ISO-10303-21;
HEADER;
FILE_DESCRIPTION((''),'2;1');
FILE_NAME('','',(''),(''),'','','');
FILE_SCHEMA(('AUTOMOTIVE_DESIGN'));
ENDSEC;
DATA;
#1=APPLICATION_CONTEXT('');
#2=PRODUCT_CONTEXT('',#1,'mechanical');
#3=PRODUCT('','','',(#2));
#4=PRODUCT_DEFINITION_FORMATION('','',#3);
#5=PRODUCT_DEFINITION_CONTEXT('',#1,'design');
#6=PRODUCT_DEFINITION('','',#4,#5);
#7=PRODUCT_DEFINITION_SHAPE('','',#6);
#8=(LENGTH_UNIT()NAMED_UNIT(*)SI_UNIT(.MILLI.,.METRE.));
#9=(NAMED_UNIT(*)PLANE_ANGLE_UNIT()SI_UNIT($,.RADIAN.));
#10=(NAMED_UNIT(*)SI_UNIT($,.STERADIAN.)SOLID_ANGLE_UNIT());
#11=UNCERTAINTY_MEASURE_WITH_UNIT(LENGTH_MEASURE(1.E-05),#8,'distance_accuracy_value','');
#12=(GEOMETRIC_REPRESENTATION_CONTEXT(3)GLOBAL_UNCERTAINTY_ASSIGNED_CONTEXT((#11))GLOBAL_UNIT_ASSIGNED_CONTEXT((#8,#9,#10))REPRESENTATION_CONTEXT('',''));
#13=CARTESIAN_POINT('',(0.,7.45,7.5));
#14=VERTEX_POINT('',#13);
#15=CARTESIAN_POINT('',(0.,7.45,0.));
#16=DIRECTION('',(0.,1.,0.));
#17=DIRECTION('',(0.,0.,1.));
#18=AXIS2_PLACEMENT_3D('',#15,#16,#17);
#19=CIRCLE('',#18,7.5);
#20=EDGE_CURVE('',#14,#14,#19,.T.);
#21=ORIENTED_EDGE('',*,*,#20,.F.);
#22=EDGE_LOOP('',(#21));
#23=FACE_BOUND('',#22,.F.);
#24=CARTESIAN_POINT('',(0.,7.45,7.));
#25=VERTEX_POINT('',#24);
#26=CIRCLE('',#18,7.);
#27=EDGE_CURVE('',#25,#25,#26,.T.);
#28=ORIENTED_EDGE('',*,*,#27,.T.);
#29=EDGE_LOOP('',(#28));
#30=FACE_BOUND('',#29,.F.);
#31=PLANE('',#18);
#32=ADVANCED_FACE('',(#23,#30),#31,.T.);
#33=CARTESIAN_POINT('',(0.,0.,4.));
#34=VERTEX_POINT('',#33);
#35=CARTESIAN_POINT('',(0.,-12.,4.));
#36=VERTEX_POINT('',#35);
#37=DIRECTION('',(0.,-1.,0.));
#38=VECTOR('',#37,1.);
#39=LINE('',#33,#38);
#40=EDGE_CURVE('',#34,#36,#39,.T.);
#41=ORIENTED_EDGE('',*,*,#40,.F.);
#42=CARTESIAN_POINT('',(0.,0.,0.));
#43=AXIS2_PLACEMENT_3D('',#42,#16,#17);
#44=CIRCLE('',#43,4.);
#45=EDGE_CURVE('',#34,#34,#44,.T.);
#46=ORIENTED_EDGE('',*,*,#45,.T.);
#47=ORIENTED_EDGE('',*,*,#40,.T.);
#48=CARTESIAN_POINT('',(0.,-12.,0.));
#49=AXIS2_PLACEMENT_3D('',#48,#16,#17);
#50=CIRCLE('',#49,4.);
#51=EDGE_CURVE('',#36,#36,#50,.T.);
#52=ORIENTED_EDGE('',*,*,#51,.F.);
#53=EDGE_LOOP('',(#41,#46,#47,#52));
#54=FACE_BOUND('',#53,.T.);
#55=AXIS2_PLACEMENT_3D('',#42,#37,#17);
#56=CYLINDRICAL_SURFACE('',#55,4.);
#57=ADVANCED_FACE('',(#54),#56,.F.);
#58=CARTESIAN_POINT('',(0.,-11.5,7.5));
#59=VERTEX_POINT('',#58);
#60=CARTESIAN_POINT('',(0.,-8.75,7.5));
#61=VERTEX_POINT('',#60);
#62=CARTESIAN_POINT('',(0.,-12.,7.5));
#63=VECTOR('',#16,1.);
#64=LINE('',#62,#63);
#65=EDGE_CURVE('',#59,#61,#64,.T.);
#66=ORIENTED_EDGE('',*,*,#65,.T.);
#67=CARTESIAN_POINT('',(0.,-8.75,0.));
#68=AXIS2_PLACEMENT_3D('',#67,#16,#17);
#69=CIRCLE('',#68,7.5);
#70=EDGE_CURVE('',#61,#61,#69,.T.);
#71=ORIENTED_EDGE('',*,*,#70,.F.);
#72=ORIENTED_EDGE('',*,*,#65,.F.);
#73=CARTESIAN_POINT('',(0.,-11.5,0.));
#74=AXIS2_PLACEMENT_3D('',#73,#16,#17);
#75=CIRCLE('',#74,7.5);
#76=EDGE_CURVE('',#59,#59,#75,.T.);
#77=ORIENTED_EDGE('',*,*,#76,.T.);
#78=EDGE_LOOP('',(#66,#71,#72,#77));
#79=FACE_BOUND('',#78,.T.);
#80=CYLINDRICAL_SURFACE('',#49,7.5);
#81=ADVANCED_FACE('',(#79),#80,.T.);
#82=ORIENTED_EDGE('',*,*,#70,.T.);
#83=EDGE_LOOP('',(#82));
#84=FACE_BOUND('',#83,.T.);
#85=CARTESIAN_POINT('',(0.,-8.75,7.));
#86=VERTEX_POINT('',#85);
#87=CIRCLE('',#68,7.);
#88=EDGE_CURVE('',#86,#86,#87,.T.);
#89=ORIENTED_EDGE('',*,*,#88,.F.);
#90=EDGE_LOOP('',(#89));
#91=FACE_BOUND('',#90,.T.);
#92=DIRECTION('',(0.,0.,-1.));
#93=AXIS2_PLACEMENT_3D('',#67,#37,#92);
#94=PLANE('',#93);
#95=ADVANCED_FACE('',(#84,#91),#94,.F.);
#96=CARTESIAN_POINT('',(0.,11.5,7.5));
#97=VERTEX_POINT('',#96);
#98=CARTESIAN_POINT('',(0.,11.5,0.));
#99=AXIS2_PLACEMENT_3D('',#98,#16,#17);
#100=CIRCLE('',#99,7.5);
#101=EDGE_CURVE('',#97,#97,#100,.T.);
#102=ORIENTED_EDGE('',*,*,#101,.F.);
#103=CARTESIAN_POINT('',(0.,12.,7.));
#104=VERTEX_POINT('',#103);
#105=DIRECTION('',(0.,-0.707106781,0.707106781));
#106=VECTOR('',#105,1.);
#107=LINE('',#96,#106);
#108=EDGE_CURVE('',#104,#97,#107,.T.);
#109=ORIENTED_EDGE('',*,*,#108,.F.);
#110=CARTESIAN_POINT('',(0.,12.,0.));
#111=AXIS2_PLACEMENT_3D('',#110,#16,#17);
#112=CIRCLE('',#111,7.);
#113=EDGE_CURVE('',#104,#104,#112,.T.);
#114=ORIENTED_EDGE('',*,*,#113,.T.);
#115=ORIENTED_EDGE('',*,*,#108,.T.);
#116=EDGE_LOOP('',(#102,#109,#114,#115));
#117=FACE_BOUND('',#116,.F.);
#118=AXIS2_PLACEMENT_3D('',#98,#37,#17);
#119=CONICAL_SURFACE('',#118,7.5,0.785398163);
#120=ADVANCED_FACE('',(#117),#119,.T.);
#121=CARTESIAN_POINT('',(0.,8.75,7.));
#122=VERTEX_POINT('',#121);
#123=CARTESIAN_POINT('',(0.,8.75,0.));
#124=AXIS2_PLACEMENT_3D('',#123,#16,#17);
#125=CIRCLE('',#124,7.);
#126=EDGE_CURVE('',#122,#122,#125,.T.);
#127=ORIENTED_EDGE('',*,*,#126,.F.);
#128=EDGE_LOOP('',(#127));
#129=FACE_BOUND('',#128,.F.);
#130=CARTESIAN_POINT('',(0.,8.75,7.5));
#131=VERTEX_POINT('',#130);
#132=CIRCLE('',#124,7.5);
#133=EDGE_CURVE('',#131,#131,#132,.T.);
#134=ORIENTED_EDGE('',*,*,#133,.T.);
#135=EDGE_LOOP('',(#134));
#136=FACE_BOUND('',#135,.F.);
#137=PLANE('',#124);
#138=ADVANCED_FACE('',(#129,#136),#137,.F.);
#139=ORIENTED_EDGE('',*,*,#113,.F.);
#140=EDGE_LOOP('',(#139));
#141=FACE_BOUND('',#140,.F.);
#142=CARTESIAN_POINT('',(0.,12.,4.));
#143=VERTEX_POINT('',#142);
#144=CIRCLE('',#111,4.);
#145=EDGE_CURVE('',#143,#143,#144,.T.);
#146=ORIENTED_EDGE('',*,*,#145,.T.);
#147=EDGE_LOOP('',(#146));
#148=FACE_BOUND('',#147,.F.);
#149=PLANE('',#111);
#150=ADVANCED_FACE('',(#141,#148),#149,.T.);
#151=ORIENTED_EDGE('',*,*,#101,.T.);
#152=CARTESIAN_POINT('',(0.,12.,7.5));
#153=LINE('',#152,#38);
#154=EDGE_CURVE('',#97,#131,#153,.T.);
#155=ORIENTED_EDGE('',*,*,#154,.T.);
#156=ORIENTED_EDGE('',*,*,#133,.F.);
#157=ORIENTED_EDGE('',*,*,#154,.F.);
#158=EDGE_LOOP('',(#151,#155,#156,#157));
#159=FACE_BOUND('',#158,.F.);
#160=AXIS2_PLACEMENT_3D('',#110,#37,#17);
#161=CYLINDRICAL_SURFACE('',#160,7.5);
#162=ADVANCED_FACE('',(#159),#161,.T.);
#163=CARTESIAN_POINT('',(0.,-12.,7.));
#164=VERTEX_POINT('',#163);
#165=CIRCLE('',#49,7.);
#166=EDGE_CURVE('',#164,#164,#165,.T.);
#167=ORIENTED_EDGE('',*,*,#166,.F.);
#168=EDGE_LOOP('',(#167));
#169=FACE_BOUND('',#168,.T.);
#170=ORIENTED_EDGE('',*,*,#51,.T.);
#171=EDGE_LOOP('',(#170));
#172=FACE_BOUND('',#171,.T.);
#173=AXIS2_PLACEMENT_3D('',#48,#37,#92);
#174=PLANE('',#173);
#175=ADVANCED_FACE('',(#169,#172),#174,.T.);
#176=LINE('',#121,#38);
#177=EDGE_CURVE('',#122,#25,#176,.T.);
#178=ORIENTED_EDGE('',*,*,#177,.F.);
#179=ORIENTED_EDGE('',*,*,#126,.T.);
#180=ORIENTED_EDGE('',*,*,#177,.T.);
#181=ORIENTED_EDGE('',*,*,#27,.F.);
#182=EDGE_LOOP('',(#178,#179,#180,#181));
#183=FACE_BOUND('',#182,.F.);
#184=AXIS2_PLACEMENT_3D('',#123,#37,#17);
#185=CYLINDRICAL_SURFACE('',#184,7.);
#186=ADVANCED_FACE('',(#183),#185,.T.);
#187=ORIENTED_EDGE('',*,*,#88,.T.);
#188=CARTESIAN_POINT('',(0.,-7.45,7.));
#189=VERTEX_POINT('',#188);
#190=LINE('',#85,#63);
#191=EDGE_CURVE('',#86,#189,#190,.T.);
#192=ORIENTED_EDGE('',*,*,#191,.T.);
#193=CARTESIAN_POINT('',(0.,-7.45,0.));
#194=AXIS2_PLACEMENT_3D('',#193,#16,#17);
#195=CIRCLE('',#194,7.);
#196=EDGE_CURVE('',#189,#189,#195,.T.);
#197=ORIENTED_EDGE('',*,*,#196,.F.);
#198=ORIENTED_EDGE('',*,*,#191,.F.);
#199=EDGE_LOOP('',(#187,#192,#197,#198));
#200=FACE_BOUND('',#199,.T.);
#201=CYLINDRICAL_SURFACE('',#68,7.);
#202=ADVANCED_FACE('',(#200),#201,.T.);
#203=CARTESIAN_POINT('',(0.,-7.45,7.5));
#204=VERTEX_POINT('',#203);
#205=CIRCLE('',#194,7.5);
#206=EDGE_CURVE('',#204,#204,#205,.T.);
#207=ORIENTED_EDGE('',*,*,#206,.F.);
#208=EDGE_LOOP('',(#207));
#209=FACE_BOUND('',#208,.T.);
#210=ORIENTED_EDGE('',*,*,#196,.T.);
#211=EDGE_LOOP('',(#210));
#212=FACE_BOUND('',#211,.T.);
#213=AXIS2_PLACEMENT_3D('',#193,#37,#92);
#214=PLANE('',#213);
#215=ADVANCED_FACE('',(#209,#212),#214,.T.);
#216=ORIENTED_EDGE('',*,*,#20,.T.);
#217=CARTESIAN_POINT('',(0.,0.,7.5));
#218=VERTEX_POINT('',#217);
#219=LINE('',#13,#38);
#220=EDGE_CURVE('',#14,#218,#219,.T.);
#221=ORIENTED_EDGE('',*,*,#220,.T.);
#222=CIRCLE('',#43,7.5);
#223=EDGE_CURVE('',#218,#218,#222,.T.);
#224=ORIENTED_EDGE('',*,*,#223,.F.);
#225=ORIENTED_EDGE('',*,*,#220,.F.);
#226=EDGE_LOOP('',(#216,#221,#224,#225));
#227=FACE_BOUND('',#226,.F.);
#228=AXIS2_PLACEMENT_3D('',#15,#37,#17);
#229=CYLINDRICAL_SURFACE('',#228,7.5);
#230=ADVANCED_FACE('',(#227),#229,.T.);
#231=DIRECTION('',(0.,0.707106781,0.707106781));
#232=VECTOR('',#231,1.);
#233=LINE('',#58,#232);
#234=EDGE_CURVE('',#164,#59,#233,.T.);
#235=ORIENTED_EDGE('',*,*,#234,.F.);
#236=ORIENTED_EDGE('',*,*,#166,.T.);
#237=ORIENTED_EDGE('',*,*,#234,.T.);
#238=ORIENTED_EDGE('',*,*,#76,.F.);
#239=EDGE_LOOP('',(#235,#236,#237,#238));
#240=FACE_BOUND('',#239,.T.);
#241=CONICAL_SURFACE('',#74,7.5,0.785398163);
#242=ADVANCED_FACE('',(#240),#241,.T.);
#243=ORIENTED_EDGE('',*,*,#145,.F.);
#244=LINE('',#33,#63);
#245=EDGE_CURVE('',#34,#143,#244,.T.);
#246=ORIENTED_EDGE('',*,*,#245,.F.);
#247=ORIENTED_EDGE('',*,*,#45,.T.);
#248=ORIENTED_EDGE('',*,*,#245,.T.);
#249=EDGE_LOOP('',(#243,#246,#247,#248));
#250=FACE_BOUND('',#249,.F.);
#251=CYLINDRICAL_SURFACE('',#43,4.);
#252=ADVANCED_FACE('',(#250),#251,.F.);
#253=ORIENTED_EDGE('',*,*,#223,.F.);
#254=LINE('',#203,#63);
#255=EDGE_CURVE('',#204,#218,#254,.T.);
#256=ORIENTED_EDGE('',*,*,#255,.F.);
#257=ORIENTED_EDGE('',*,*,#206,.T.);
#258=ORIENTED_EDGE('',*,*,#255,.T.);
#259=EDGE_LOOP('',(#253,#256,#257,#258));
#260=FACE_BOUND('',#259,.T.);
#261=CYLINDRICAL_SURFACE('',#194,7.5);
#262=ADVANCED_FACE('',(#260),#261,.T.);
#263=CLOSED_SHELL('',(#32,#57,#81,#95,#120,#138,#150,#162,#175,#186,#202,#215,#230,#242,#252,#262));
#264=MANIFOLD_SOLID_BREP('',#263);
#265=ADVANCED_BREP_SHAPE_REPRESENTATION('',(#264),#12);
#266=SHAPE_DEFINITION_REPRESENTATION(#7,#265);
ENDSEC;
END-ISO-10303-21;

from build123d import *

# Parameters (mm, degrees)
F2_SIZE = 0.5


with BuildPart() as f1:
    # F0 (on Right) → F1 (revolve)
    with BuildSketch(Plane.YZ):
        Polygon((0, 7.5), (0, 4), (12, 4), (12, 7.5), (8.75, 7.5), (8.75, 7), (7.45, 7), (7.45, 7.5), align=None)
    revolve(axis=Axis((0, 6.756852, 0), (0, 1, 0)))

    # F2
    f2_edges = [f1.edges().sort_by_distance(p)[0] for p in [
        (0, 12, -7.5),
    ]]
    chamfer(f2_edges, length=F2_SIZE)

    # F3: F1 across face


with BuildPart() as f1_1:
    add(f1.part)
    add(f1.part.mirror(Plane.XZ))


solid = f1_1.part
